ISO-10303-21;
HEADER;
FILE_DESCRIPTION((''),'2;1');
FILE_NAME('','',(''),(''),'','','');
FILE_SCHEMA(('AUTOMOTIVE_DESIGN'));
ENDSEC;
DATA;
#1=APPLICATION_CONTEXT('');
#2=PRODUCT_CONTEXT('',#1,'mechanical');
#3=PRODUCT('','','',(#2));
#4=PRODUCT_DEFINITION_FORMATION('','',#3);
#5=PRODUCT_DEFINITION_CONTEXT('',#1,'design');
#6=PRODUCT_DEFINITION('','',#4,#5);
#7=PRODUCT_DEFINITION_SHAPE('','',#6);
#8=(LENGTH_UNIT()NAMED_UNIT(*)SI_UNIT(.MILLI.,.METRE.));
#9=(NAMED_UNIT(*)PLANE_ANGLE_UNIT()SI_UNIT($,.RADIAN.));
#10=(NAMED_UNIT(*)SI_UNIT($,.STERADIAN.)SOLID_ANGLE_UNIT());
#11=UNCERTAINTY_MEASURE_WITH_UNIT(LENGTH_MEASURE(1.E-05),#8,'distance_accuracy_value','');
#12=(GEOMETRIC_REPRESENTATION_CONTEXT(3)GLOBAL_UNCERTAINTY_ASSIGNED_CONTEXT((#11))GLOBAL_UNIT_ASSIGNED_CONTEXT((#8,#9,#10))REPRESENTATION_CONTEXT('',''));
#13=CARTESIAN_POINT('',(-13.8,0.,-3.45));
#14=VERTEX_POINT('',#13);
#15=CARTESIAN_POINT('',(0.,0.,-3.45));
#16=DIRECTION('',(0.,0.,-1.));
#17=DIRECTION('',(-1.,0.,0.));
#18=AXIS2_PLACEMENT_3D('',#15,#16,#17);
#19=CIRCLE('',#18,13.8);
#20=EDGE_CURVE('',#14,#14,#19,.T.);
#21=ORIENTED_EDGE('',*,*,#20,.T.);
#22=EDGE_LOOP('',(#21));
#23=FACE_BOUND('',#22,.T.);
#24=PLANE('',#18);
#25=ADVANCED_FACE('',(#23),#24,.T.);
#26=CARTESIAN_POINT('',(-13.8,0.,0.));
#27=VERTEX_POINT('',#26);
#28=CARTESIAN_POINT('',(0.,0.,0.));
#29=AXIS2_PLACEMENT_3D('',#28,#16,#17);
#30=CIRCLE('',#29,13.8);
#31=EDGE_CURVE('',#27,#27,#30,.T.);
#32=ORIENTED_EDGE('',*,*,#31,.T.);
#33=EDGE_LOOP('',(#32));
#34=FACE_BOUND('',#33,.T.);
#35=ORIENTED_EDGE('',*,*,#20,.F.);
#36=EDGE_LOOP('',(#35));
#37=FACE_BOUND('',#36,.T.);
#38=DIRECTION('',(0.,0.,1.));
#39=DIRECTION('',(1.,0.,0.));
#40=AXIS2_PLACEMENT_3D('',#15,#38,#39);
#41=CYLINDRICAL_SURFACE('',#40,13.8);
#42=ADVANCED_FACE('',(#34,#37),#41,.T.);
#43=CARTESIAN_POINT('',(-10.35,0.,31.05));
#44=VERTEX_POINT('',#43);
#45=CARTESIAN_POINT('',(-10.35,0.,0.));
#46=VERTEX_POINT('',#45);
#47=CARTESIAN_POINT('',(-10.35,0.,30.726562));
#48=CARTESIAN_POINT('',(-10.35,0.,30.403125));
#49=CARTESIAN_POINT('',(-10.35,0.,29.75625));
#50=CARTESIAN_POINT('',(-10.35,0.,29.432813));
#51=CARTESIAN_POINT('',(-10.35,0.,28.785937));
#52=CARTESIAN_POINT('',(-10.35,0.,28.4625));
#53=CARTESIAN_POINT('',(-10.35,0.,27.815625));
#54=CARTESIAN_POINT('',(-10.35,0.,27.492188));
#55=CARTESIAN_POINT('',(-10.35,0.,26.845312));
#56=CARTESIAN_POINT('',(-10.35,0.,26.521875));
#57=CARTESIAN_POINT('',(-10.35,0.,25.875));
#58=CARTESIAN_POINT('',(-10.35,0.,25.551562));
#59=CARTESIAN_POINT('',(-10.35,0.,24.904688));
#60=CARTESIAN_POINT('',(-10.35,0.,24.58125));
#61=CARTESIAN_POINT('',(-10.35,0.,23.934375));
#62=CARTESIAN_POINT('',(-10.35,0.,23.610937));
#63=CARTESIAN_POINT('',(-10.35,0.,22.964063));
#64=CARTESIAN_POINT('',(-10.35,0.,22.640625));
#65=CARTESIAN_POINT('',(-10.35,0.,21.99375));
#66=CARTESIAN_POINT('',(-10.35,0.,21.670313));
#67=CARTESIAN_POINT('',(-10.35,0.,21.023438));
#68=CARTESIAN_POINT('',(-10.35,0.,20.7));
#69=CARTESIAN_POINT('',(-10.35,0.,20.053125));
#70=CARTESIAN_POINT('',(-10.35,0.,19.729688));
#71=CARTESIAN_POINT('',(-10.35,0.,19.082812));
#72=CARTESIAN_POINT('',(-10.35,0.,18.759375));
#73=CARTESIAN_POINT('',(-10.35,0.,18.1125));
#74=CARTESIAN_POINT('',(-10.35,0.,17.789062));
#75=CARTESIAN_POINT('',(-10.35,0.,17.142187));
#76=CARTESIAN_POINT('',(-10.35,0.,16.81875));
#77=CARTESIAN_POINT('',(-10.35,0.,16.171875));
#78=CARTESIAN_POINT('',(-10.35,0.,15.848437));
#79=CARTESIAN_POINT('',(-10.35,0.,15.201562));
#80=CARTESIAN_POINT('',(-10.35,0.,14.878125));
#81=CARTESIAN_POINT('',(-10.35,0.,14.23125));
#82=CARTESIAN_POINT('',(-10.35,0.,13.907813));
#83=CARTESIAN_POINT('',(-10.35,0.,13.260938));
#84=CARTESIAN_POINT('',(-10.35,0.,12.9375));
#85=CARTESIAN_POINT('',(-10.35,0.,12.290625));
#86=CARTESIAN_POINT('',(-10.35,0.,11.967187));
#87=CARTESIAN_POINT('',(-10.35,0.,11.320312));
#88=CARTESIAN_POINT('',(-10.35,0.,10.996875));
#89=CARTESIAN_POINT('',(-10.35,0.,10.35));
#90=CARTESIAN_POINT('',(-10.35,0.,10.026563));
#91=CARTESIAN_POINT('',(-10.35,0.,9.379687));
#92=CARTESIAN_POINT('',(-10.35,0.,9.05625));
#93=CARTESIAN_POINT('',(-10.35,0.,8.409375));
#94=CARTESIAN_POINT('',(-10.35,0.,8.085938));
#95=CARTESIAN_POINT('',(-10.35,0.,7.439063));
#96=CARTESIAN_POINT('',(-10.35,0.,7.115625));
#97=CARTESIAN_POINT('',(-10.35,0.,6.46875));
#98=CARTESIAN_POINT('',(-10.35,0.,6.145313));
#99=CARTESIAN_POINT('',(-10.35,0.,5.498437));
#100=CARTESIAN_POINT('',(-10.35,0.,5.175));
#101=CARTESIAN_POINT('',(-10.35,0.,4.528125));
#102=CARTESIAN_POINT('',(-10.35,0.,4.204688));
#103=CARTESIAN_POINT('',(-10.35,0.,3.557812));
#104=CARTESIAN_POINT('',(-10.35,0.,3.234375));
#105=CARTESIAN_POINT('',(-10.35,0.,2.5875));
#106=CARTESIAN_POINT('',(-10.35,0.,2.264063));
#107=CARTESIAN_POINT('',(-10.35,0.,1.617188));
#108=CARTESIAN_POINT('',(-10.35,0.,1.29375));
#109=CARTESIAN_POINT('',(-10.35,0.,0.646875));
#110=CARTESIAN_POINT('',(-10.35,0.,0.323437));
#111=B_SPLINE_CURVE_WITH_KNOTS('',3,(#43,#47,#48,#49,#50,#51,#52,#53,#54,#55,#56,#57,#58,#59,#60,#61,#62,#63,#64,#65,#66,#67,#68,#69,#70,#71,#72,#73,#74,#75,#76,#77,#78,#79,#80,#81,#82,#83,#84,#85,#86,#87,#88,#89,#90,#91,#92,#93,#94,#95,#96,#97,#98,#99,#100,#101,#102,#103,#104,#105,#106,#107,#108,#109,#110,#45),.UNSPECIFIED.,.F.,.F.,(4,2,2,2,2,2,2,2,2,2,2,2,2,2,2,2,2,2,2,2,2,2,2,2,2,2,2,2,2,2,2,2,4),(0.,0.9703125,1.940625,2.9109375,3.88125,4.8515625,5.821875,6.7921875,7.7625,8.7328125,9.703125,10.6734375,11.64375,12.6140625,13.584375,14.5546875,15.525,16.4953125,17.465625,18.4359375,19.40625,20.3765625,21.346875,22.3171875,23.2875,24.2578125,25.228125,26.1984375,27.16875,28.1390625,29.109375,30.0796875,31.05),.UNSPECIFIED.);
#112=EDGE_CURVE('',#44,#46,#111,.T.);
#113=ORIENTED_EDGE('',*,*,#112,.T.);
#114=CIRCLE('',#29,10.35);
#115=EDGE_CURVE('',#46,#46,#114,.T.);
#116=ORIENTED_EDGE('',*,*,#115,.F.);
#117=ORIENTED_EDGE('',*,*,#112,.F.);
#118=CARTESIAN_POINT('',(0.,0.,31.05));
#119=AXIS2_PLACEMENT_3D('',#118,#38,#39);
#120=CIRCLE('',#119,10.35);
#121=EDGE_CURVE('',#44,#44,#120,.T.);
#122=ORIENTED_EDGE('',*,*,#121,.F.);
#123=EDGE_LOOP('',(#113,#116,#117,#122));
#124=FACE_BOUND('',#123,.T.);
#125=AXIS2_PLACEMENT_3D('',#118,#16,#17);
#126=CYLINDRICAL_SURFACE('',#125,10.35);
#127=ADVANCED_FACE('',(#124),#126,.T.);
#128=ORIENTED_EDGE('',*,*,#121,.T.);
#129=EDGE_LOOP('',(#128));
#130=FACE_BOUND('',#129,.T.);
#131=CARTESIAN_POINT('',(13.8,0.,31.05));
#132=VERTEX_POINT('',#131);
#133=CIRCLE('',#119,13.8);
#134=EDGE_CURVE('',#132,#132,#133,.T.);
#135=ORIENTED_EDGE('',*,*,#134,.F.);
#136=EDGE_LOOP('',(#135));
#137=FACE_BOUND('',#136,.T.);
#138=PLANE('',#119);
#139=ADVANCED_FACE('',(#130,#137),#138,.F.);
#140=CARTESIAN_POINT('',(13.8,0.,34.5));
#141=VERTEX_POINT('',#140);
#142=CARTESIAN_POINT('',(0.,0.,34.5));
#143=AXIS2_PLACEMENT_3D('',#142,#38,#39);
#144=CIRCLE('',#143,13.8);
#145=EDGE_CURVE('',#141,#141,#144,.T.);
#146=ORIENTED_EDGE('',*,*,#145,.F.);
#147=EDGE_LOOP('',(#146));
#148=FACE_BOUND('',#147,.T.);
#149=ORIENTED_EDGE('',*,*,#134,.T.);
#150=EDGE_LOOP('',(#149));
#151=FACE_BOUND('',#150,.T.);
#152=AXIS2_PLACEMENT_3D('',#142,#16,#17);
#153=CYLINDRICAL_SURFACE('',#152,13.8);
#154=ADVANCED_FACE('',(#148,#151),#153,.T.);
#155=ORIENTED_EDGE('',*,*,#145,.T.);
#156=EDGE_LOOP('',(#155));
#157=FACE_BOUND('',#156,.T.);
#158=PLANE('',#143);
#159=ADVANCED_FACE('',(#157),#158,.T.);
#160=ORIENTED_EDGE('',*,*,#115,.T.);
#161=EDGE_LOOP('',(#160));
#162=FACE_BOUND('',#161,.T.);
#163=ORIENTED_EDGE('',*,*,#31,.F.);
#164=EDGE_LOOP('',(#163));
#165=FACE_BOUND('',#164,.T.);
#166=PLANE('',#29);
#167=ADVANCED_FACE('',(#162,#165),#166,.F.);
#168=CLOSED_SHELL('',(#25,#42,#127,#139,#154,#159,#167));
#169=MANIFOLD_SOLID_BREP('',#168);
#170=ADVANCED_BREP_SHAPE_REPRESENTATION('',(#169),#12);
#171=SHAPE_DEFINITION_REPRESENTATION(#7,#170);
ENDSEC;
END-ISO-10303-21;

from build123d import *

# Parameters (mm, degrees)
SKETCH_1_R      = 30
EXTRUDE_1_DEPTH = 90
SKETCH_2_R      = 40
EXTRUDE_2_DEPTH = 10
EXTRUDE_START   = 10
SKETCH_3_R      = 40
EXTRUDE_3_DEPTH = 10
SCALE_1_SCALE   = 0.345


with BuildPart() as part:
    # 草图1 → 凸台-拉伸1 (new body)
    with BuildSketch(Plane.XY):
        with Locations(Location((0, 0, 0), (0, 0, 180))):
            Circle(SKETCH_1_R)
    extrude(amount=EXTRUDE_1_DEPTH)

    # 草图2 → 凸台-拉伸2 (add)
    with BuildSketch(Plane.XY.offset(90)):
        Circle(SKETCH_2_R)
    extrude(amount=EXTRUDE_2_DEPTH)

    # 草图3 → 凸台-拉伸3 (add)
    with BuildSketch(Plane(origin=(0, 0, 0), x_dir=(-1, 0, 0), z_dir=(0, 0, -1)).offset(EXTRUDE_START)):
        with Locations(Location((0, 0, 0), (0, 0, 180))):
            Circle(SKETCH_3_R)
    extrude(amount=-EXTRUDE_3_DEPTH)


with BuildPart() as part_1:
    # 缩放比例1: scaled about (0, 0, 0)
    add(part.part.scale(SCALE_1_SCALE))


solid = part_1.part
